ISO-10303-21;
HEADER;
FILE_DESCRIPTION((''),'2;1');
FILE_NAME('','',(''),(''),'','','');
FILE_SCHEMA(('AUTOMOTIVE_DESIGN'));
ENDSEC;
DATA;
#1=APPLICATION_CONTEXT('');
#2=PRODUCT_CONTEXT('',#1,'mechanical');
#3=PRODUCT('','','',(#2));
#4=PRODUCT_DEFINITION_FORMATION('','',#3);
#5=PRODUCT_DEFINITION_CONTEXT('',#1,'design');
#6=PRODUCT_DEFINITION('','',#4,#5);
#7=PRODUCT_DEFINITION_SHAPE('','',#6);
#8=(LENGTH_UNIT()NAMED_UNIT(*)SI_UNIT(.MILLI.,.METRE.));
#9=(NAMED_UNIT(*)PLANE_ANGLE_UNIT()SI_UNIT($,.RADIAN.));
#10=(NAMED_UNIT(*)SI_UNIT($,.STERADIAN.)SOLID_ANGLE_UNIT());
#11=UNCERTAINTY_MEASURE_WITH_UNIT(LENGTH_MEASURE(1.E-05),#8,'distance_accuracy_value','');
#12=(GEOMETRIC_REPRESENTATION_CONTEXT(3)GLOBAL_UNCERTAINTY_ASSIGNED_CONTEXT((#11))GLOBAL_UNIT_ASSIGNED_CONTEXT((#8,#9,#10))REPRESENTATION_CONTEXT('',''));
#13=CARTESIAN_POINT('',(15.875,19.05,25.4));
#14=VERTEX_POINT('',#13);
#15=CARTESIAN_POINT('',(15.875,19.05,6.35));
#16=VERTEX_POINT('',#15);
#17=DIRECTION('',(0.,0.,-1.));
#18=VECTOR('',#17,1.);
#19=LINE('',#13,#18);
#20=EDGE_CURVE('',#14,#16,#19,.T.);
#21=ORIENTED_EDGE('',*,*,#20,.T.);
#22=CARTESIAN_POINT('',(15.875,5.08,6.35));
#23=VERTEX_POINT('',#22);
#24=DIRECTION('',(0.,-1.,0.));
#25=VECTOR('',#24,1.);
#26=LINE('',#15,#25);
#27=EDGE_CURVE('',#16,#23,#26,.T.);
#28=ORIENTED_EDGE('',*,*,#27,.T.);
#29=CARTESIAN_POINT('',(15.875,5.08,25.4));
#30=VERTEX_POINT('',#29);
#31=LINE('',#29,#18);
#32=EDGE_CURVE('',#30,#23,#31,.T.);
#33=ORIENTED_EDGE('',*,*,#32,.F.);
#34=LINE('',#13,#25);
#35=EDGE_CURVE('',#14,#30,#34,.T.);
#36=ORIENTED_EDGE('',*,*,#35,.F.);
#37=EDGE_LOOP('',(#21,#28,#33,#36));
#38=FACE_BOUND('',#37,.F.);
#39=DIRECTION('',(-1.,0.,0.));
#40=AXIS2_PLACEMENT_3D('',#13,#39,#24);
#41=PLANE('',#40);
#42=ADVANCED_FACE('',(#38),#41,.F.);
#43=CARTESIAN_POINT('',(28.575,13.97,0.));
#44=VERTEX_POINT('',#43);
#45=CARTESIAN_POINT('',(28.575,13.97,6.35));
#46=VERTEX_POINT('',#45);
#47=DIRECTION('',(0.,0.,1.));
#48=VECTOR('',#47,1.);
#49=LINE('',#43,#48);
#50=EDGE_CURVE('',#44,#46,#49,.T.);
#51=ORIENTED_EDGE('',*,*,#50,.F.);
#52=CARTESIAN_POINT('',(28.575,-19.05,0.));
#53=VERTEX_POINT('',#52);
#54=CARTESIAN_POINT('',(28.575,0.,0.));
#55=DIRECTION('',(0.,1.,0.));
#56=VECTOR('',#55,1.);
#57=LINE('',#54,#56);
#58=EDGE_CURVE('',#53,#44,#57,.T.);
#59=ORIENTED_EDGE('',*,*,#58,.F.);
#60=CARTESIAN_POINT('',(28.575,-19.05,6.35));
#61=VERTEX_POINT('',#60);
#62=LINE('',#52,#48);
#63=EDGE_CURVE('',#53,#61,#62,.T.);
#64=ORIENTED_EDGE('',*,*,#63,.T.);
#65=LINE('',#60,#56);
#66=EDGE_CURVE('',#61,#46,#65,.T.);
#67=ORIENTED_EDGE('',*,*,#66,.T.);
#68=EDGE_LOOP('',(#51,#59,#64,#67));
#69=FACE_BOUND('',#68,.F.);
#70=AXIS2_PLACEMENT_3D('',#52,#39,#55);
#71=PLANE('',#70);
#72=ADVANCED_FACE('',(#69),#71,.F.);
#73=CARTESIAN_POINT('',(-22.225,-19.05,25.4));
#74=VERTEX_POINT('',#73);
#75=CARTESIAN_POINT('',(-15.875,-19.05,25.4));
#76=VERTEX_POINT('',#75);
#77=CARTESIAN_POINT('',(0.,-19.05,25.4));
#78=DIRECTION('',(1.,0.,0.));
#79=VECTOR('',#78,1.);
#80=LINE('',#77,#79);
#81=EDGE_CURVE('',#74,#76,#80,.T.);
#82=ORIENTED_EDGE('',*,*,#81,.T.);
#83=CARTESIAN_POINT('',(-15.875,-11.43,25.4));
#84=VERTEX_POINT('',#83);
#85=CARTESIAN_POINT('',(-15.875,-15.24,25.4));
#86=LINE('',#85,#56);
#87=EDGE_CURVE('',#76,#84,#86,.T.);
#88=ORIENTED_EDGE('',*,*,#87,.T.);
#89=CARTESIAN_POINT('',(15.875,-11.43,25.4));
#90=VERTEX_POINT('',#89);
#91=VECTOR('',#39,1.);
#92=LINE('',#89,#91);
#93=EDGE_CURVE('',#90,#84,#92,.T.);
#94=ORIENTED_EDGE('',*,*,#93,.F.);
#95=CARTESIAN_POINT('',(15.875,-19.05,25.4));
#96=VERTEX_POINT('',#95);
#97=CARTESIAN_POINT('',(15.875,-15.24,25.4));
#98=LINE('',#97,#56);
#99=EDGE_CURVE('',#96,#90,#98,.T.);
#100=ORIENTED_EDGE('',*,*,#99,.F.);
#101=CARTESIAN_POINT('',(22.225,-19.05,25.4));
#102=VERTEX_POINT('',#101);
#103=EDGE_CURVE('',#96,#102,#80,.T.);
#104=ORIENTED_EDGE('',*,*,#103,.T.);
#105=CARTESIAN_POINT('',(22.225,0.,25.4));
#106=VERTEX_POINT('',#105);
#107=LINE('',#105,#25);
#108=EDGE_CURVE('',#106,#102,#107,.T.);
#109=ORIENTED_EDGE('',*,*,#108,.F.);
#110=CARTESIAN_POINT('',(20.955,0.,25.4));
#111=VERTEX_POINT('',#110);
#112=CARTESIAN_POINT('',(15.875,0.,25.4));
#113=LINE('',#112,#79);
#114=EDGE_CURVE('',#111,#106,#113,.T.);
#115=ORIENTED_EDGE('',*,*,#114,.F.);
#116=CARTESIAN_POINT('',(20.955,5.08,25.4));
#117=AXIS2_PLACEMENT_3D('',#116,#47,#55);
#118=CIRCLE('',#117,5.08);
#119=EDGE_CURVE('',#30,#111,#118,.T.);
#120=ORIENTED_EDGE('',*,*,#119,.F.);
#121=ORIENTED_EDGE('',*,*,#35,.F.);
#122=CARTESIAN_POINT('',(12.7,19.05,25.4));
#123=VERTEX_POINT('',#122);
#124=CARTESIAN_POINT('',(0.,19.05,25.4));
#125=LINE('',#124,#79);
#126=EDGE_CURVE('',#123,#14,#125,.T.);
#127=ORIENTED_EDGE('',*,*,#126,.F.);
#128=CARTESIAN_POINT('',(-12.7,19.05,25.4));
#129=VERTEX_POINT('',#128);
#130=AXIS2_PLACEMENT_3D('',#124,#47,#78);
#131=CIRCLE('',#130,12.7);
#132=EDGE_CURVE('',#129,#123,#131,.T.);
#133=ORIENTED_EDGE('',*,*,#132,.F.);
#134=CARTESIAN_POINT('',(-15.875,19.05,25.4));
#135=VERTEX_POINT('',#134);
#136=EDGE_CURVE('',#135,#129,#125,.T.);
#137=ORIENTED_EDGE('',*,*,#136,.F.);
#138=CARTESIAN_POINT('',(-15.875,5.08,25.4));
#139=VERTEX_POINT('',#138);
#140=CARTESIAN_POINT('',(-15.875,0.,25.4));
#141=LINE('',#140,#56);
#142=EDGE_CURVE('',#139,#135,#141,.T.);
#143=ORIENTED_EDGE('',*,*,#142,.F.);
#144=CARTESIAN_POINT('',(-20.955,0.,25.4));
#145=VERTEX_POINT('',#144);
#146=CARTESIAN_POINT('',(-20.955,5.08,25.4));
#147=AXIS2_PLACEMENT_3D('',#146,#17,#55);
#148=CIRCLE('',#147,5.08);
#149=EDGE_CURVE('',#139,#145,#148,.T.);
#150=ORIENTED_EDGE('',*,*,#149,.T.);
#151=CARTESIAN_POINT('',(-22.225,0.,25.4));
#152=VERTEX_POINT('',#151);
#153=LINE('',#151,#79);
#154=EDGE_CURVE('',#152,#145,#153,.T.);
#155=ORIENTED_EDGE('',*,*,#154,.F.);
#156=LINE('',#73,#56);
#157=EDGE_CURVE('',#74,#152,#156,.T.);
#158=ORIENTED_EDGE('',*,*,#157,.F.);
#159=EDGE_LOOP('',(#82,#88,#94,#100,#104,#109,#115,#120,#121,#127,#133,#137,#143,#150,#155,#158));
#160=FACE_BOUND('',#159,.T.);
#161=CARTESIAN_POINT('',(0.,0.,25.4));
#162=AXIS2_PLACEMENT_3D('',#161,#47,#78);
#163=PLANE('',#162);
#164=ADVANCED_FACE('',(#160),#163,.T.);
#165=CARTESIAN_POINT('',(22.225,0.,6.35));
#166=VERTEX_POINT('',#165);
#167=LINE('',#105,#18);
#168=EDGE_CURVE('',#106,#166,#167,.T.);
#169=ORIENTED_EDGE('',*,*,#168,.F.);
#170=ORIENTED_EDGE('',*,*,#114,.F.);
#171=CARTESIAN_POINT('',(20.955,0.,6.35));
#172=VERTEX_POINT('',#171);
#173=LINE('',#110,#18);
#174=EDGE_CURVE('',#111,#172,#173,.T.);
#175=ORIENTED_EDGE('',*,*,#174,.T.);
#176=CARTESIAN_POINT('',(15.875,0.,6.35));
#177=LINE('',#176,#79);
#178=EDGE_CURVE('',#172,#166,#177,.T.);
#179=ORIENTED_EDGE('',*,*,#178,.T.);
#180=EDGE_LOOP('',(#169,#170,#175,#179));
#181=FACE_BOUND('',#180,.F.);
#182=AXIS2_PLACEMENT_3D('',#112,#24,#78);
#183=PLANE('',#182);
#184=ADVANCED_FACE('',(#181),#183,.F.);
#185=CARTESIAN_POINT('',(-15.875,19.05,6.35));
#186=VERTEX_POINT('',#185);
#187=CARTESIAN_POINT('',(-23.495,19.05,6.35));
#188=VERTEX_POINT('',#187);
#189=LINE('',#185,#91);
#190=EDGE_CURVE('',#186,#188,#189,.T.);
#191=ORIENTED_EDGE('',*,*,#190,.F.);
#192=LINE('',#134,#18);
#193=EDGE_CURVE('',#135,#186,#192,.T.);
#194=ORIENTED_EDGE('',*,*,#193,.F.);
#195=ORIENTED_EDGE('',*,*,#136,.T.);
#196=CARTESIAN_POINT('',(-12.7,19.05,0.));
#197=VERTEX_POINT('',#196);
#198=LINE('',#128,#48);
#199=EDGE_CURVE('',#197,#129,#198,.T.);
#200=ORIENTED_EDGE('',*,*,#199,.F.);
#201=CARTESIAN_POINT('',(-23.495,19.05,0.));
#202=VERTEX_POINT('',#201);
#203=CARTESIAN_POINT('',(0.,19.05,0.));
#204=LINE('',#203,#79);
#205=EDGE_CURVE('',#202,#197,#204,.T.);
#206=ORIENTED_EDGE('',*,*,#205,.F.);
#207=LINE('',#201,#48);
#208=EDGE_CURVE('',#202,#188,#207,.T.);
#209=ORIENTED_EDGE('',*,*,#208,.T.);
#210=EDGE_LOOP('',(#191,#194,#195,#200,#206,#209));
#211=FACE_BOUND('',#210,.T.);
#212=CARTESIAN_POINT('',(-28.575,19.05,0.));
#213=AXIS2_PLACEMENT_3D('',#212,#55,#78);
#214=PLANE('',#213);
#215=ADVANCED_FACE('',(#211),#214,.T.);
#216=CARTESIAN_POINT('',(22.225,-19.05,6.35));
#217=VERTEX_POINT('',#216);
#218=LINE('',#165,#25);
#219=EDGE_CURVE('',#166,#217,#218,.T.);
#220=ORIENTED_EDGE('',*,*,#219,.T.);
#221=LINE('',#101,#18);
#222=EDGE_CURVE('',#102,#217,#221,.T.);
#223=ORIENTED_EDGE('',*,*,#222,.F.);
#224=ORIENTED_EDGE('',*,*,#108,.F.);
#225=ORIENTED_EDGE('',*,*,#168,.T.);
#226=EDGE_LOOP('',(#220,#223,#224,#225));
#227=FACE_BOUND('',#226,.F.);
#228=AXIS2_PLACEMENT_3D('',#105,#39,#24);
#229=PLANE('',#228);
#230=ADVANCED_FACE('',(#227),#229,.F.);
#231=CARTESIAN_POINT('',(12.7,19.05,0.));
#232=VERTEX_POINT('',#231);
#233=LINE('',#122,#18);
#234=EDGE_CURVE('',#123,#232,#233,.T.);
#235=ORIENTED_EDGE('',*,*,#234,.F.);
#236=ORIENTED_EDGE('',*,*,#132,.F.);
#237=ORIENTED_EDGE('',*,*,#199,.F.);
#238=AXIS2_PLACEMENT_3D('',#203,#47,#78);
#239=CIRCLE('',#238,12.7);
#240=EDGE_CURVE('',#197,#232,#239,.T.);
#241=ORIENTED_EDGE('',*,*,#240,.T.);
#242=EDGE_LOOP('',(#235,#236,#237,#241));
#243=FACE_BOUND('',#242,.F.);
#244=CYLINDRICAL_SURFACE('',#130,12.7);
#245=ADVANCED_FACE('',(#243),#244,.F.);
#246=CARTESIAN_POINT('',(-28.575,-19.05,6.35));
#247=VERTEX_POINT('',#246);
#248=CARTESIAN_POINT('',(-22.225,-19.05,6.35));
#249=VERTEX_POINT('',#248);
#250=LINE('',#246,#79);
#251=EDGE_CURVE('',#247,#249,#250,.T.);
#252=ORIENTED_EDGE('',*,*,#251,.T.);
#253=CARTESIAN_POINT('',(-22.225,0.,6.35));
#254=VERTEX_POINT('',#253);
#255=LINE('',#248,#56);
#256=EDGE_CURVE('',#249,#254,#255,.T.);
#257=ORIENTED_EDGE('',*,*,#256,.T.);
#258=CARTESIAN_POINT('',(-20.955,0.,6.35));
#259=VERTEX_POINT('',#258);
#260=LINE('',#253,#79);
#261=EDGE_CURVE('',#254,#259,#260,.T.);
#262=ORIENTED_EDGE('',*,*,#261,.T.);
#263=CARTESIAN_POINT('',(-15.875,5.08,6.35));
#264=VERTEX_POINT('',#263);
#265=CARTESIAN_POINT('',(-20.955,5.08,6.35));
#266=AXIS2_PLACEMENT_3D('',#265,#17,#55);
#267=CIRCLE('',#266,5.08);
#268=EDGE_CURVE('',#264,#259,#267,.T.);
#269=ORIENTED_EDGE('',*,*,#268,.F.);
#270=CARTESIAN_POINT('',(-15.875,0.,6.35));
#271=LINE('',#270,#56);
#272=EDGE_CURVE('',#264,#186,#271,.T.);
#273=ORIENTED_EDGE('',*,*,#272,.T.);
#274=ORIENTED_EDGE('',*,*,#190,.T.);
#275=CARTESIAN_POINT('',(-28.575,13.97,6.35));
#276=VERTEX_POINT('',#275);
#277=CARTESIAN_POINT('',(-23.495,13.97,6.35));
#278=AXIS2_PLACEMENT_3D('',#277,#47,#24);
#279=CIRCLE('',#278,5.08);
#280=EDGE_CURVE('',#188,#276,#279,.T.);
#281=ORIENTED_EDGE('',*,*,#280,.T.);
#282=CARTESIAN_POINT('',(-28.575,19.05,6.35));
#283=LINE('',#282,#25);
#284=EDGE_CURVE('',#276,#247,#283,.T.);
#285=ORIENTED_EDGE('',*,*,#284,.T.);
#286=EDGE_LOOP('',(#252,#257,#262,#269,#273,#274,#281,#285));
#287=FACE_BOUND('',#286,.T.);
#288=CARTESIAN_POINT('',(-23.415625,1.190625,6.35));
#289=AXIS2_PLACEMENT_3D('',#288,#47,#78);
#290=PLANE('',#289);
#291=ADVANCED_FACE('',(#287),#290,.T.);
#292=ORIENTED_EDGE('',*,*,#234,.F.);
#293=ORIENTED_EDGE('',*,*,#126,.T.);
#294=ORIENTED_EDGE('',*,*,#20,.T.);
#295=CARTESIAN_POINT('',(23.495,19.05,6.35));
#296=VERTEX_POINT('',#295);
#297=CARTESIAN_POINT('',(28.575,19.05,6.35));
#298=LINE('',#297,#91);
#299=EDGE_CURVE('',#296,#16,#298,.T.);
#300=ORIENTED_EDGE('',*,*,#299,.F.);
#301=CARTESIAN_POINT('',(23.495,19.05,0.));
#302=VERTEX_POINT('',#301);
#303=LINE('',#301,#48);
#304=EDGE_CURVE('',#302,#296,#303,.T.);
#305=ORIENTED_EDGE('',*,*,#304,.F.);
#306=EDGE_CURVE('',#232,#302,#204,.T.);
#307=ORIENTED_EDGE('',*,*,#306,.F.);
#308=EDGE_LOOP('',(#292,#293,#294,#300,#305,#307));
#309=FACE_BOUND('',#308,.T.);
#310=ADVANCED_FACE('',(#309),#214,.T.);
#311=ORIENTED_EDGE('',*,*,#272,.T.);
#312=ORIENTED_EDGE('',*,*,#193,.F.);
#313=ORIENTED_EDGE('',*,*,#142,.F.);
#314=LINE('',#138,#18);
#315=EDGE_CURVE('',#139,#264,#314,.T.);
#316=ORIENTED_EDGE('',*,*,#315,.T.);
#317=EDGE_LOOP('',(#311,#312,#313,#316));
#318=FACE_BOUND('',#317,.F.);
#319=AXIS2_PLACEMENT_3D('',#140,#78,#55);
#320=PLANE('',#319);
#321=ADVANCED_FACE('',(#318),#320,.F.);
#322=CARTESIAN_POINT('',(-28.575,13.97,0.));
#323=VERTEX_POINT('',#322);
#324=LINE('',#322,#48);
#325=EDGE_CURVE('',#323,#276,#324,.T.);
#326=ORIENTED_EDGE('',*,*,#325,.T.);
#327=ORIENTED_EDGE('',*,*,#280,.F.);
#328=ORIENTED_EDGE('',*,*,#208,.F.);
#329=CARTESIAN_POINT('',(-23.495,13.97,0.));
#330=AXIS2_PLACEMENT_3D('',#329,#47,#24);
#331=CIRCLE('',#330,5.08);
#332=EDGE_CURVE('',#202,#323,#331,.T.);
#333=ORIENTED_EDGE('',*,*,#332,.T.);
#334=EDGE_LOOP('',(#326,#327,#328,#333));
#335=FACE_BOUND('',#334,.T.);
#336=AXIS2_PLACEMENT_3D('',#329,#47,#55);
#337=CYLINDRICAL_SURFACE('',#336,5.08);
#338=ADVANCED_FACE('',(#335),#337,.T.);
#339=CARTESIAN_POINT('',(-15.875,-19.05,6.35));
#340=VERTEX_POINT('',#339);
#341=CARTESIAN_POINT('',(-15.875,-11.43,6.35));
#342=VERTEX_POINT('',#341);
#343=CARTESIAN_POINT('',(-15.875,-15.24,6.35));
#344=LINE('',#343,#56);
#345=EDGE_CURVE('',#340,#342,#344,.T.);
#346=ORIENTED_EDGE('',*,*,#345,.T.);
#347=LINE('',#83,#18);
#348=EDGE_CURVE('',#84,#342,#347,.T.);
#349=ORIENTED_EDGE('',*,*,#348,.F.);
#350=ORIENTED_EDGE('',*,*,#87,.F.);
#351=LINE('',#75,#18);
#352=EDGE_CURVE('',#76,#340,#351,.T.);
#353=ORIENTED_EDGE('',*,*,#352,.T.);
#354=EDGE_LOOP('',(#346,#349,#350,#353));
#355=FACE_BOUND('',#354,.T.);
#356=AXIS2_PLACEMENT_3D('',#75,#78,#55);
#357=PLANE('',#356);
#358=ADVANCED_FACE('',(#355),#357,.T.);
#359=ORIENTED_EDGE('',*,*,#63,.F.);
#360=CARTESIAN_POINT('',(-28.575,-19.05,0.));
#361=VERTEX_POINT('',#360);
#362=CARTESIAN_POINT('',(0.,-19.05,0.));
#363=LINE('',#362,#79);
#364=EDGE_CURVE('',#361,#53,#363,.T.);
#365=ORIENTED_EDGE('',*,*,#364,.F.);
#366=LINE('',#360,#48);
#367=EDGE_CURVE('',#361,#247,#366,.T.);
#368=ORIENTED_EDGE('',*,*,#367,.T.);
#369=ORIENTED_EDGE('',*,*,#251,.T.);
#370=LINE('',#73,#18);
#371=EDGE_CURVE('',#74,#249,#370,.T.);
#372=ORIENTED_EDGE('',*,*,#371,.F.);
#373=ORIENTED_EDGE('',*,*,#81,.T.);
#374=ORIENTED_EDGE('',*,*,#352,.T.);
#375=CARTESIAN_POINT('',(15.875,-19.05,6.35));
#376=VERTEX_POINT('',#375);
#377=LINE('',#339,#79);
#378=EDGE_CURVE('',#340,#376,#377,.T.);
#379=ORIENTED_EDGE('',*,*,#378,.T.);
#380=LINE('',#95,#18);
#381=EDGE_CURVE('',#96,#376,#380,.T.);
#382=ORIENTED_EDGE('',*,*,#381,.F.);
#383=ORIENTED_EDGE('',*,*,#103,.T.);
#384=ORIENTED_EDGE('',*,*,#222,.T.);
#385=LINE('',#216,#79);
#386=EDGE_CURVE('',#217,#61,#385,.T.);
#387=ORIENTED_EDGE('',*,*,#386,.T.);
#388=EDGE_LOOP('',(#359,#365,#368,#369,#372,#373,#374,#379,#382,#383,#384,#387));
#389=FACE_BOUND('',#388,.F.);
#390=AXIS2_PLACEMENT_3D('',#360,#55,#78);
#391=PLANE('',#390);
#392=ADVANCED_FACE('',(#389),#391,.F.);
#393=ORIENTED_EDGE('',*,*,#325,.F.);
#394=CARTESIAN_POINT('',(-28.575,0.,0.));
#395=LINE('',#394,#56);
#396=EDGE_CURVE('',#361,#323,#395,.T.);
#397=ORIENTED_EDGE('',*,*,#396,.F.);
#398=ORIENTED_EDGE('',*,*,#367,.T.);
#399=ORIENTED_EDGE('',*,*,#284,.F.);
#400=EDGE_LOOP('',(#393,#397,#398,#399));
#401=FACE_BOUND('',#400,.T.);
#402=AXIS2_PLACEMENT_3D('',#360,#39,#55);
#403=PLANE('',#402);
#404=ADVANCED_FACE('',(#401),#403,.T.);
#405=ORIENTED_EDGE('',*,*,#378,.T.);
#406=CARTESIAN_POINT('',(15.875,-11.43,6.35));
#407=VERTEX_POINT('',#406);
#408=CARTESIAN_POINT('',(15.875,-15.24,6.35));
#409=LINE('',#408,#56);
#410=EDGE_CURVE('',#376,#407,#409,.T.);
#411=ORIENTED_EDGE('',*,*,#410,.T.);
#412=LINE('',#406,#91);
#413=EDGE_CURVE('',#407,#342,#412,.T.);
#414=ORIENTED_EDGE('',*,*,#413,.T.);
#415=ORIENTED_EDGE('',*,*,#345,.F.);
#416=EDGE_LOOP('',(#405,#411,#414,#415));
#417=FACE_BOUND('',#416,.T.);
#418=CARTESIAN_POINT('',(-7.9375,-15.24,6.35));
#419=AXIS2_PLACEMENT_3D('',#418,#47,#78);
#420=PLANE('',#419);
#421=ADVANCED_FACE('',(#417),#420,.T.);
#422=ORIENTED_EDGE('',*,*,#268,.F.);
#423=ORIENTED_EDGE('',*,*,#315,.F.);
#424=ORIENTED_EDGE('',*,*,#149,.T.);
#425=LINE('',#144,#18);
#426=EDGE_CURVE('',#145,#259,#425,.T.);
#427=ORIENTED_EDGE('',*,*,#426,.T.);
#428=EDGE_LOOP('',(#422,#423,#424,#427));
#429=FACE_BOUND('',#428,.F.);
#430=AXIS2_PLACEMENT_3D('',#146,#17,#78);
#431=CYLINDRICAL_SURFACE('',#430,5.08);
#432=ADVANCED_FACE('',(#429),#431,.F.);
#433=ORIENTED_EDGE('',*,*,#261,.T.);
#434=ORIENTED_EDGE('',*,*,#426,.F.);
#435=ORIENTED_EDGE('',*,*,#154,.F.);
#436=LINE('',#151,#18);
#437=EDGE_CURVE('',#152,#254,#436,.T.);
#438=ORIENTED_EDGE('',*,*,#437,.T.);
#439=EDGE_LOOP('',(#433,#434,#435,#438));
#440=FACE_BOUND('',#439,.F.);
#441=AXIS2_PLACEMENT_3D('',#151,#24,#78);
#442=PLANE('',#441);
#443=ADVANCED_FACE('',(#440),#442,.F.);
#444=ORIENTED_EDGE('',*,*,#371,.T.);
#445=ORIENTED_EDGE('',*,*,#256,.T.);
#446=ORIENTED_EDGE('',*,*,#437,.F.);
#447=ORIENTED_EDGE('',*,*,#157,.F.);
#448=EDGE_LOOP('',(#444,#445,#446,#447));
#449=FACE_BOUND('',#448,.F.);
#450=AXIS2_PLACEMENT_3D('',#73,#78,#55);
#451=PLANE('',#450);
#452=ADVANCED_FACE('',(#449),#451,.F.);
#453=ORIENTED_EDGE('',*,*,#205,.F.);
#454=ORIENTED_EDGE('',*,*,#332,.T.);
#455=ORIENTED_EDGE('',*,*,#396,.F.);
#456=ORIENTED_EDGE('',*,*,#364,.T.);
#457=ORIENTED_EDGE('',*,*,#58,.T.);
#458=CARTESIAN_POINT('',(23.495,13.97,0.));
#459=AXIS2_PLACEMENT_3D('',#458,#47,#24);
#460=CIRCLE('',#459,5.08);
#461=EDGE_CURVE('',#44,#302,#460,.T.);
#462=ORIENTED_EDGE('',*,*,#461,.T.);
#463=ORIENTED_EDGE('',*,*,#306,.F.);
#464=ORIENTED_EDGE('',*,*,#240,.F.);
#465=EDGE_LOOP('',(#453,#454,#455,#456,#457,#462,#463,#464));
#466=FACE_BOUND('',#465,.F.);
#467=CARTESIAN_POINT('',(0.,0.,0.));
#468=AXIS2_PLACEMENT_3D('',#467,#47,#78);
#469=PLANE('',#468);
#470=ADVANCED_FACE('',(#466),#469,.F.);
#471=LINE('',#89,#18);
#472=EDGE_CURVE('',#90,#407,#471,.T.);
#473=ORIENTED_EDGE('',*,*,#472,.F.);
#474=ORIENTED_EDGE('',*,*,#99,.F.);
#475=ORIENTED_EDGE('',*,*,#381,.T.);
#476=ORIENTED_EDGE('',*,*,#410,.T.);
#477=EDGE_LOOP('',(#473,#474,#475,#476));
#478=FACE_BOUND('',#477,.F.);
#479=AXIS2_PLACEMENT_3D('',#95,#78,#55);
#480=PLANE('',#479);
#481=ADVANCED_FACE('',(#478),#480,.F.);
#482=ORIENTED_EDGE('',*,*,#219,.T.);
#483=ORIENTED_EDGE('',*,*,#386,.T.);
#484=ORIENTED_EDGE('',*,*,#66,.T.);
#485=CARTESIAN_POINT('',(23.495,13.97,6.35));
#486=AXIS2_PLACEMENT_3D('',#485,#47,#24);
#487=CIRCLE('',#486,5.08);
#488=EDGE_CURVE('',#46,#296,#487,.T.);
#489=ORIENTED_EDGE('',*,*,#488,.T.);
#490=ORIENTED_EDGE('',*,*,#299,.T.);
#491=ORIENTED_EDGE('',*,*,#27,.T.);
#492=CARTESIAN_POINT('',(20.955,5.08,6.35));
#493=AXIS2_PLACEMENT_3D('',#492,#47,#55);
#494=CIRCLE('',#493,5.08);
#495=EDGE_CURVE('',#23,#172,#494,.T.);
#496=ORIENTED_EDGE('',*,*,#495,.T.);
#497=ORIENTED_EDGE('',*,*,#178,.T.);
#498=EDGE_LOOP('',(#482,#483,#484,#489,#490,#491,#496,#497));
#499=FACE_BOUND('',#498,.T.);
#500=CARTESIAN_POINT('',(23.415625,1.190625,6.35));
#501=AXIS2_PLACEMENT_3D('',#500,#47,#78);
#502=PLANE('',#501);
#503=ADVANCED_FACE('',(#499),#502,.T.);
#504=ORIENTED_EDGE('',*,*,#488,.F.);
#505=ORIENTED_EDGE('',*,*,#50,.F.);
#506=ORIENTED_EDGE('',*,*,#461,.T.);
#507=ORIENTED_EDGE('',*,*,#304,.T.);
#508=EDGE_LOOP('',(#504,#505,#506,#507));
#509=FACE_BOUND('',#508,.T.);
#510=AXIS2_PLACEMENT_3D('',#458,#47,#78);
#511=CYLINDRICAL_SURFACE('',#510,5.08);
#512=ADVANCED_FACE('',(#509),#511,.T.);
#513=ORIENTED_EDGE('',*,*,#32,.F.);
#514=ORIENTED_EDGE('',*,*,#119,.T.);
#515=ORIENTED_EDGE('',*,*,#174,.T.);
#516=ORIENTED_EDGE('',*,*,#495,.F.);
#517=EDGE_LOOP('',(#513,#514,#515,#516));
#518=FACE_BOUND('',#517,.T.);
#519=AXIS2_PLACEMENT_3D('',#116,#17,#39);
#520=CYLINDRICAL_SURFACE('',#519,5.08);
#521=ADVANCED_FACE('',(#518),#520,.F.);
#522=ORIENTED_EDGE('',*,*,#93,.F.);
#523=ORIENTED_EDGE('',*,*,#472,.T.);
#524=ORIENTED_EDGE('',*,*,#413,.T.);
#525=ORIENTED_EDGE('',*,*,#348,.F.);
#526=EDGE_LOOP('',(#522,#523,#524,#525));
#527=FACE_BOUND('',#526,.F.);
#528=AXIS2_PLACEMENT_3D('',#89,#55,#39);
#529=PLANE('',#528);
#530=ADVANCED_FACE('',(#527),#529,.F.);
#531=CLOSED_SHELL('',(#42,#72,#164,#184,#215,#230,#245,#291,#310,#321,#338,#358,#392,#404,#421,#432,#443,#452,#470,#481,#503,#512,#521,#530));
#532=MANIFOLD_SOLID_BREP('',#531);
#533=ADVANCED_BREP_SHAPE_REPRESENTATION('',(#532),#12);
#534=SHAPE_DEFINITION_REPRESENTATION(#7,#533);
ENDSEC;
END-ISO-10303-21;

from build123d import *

# Parameters (mm, degrees)
F0_W     = 57.15
F0_H     = 38.1
F1_DEPTH = 25.4
F2_W     = 15.875
F2_H     = 7.62
F3_DEPTH = 19.05
F4_R     = 12.7
F5_DEPTH = 25.401
F6_R     = 5.08
F7_R     = 5.08


with BuildPart() as f1:
    # F0 (on Top) → F1 (new body)
    with BuildSketch(Plane.XY):
        Rectangle(F0_W, F0_H)
    extrude(amount=F1_DEPTH)

    # F2 (on face) → F3 (cut)
    with BuildSketch(Plane.XY.offset(25.4)):
        with Locations((-7.9375, -15.24)):
            Rectangle(F2_W, F2_H)
        with Locations((7.9375, -15.24)):
            Rectangle(F2_W, F2_H)
        Polygon((-28.575, 19.05), (-28.575, -19.05), (-22.225, -19.05), (-22.225, 0), (-15.875, 0), (-15.875, 19.05), (-22.225, 19.05), align=None)
        Polygon((22.225, 19.05), (15.875, 19.05), (15.875, 0), (22.225, 0), (22.225, -19.05), (28.575, -19.05), (28.575, 19.05), align=None)
    extrude(amount=-F3_DEPTH, mode=Mode.SUBTRACT)

    # F4 (on face) → F5 (cut, through all)
    with BuildSketch(Plane.XY.offset(25.4)):
        with Locations((0, 19.05)):
            Circle(F4_R)
    extrude(amount=-F5_DEPTH, mode=Mode.SUBTRACT)

    # F6
    f6_edges = [f1.edges().sort_by_distance(p)[0] for p in [
        (-15.875, 0, 15.875),
        (15.875, 0, 15.875),
    ]]
    fillet(f6_edges, radius=F6_R)

    # F7
    f7_edges = [f1.edges().sort_by_distance(p)[0] for p in [
        (28.575, 19.05, 3.175),
        (-28.575, 19.05, 3.175),
    ]]
    fillet(f7_edges, radius=F7_R)


solid = f1.part
